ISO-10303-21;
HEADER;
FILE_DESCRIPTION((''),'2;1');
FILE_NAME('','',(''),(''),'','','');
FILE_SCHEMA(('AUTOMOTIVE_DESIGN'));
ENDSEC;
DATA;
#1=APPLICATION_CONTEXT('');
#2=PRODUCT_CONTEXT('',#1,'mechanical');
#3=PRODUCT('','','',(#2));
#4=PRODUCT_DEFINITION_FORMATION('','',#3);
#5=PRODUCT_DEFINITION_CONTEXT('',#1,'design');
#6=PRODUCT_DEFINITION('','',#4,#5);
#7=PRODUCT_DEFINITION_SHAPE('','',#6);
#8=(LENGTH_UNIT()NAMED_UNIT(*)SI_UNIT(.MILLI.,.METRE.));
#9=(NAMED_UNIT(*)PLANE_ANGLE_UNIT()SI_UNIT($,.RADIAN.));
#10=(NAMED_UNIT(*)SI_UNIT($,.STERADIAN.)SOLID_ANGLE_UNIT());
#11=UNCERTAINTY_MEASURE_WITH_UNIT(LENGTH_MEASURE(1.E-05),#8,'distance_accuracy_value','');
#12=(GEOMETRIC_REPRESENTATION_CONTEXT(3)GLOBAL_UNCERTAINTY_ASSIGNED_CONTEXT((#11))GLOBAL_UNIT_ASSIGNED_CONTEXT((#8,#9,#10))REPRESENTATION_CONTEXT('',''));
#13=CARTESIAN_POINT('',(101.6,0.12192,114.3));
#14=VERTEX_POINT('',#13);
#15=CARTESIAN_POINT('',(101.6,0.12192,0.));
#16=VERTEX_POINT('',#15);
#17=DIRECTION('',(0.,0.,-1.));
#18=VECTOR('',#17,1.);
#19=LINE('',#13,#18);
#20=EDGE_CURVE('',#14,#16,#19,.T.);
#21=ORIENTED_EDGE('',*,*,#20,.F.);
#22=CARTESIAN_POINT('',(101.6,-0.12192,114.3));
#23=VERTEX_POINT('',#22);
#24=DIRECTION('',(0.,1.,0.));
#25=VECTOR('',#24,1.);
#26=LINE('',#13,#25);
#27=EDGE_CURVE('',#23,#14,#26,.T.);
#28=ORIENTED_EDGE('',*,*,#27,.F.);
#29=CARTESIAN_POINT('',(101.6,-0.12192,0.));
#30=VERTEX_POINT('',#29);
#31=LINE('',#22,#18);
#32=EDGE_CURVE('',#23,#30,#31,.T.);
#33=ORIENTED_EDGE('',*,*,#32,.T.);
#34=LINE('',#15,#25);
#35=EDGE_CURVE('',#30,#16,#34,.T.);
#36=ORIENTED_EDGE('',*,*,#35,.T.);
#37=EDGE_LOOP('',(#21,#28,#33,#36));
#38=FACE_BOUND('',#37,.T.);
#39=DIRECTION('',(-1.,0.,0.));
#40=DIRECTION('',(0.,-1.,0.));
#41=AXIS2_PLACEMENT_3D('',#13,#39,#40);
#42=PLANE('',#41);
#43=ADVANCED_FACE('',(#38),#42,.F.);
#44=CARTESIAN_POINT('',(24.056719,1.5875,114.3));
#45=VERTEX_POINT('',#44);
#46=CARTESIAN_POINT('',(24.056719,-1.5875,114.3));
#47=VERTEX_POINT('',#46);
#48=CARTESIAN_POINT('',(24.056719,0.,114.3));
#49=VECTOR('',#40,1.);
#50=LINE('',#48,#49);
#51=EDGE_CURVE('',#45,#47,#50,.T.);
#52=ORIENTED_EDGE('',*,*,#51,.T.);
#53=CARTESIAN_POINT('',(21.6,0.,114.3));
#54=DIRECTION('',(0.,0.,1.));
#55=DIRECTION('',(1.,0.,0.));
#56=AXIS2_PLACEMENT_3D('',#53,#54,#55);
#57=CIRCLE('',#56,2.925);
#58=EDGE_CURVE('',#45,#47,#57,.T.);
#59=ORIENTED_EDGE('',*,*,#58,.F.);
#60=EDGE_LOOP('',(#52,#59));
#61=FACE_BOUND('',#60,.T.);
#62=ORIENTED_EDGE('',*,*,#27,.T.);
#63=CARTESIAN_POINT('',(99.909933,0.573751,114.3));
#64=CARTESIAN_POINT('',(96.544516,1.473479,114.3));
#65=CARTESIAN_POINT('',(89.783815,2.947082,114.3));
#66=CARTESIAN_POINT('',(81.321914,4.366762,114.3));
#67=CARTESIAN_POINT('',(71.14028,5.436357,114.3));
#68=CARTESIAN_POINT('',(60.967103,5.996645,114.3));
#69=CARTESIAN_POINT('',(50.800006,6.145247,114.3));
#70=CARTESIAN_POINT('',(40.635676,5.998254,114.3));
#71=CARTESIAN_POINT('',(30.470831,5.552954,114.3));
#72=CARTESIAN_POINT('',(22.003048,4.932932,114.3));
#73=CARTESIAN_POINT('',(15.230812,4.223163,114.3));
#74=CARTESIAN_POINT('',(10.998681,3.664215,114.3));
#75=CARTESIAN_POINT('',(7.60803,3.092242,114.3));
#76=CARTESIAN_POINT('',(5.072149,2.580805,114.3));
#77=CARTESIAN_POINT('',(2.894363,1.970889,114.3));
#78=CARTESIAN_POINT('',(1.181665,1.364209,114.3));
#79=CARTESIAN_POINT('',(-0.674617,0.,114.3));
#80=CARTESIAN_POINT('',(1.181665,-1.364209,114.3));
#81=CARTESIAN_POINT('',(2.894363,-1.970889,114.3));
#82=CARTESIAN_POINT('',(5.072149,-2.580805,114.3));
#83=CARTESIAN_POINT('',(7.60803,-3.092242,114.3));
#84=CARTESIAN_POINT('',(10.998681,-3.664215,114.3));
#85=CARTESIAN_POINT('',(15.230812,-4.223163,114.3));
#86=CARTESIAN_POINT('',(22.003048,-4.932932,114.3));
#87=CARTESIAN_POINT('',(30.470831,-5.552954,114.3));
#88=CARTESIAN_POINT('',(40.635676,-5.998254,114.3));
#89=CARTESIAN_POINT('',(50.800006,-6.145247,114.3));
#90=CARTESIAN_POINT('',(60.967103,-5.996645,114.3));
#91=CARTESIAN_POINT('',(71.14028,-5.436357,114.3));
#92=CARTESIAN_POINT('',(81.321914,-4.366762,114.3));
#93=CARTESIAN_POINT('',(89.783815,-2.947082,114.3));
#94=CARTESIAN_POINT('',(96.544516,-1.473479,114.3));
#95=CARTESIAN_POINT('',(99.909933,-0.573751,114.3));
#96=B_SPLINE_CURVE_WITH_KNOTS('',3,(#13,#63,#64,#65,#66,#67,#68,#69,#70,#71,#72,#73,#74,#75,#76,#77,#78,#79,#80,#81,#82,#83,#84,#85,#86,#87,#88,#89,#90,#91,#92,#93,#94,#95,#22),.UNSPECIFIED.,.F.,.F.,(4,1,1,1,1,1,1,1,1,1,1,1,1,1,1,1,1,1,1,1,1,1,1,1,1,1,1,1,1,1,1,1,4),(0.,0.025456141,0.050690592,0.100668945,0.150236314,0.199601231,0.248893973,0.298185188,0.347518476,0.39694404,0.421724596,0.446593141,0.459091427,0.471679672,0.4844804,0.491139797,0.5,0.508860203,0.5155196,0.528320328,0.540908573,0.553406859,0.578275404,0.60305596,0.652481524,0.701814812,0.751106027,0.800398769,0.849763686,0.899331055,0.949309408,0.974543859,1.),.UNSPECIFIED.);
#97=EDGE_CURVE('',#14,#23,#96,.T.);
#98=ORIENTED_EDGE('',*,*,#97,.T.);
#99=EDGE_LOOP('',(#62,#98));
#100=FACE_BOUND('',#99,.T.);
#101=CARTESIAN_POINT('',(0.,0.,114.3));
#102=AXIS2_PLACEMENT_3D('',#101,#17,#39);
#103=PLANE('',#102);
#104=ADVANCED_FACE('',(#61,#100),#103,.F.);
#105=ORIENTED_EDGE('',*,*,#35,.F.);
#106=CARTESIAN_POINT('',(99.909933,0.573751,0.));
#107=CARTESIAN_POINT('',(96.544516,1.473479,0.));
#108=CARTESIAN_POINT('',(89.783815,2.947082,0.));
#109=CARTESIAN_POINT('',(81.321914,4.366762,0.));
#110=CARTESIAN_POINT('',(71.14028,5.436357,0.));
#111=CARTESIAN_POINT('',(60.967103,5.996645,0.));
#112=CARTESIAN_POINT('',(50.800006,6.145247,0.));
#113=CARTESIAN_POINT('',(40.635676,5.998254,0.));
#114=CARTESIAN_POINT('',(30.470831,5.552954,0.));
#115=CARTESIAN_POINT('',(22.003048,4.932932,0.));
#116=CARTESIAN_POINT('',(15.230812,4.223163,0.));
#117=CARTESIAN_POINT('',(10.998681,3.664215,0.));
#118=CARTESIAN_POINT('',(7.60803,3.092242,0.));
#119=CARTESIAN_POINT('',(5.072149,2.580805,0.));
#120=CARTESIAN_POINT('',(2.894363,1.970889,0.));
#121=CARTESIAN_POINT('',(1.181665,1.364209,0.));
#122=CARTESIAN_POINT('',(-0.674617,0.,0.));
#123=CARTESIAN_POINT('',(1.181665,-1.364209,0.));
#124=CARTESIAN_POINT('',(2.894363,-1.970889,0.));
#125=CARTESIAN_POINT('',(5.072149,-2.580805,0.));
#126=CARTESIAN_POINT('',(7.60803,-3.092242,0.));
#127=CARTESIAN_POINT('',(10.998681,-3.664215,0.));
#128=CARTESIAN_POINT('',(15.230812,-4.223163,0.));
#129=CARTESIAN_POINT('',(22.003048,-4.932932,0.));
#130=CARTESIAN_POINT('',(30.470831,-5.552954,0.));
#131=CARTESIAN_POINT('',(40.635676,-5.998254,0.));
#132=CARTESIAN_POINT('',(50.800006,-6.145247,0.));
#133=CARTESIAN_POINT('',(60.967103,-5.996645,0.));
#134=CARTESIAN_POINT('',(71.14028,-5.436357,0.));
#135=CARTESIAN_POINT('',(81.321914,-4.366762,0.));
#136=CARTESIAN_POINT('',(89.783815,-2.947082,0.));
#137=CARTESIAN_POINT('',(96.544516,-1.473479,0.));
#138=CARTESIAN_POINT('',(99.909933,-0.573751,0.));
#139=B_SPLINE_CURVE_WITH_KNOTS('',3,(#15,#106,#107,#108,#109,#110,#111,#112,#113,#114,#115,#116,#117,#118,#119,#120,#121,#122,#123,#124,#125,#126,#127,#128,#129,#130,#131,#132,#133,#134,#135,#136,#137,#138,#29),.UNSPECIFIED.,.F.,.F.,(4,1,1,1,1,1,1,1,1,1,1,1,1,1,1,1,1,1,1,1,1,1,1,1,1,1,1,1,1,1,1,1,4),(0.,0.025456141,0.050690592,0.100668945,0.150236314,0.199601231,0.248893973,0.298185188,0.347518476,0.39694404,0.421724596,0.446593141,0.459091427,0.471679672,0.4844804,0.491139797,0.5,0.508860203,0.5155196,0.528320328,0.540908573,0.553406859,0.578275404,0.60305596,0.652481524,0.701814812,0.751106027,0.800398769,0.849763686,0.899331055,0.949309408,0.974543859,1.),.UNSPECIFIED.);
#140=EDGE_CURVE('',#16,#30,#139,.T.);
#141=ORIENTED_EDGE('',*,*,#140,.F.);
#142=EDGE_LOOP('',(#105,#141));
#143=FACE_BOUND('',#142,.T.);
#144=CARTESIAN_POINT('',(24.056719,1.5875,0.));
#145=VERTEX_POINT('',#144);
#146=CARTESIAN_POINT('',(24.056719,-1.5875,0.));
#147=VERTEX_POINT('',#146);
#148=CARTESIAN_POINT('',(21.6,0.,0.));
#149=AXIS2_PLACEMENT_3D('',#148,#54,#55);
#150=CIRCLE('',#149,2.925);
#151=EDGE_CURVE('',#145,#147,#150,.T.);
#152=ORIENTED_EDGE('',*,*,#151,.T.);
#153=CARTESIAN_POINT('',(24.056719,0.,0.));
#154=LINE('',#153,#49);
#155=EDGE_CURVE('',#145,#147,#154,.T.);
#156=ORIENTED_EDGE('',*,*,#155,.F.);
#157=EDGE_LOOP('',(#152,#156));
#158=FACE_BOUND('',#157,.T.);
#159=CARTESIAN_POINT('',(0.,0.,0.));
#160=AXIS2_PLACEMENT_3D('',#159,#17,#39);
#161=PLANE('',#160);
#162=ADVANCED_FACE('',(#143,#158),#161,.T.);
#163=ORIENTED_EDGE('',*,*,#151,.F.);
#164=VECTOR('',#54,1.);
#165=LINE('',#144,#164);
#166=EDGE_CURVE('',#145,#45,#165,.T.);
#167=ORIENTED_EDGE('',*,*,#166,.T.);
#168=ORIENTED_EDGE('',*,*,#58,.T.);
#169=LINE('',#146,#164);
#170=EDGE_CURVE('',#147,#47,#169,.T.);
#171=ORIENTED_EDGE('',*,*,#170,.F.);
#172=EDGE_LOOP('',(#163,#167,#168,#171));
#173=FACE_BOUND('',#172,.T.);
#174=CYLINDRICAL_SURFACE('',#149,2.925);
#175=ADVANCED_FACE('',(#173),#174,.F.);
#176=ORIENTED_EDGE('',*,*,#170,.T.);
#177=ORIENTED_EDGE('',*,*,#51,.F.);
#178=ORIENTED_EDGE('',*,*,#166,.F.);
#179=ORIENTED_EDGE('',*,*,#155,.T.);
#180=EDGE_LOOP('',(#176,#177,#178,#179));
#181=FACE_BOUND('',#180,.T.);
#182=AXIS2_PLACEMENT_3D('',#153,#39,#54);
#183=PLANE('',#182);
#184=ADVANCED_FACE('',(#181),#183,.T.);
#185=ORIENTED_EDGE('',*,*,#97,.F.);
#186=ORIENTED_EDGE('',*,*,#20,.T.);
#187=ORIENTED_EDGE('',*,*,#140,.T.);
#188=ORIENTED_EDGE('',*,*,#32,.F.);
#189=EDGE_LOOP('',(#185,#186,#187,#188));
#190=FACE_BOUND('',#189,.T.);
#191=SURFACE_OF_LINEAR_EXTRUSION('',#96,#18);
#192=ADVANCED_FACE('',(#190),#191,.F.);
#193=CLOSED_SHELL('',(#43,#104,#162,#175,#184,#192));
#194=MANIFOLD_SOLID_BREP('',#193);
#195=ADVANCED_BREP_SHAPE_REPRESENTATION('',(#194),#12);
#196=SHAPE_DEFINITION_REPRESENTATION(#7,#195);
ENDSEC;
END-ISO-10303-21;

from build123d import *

# Parameters (mm, degrees)
BOSS_EXTRUDE1_DEPTH = 114.3
CUT_EXTRUDE1_DEPTH  = 115.3000001


with BuildPart() as part:
    # Sketch1 → Boss-Extrude1 (new body)
    with BuildSketch(Plane.XY):
        with BuildLine():
            Line((101.6, 0.12192), (101.6, -0.12192))
            add(Edge.make_bspline(
                [(101.6, 0.12192), (99.909932561, 0.573751352), (96.544515968, 1.473479194), (89.783814833, 2.947081601), (81.321913594, 4.36676175), (71.140279871, 5.436356516), (60.967102616, 5.996645411), (50.800006263, 6.145246679), (40.635675917, 5.998253513), (30.470830523, 5.552954054), (22.003048387, 4.932932422), (15.230811891, 4.223162727), (10.998681463, 3.664214628), (7.608030333, 3.092241666), (5.072149413, 2.580804534), (2.89436287, 1.970888591), (1.181665174, 1.364209186), (-0.674617494, 0), (1.181665174, -1.364209186), (2.89436287, -1.970888591), (5.072149413, -2.580804534), (7.608030333, -3.092241666), (10.998681463, -3.664214628), (15.230811891, -4.223162727), (22.003048387, -4.932932422), (30.470830523, -5.552954054), (40.635675917, -5.998253513), (50.800006263, -6.145246679), (60.967102616, -5.996645411), (71.140279871, -5.436356516), (81.321913594, -4.36676175), (89.783814833, -2.947081601), (96.544515968, -1.473479194), (99.909932561, -0.573751352), (101.6, -0.12192)],
                knots=[0, 0, 0, 0, 0.025456141, 0.050690592, 0.100668945, 0.150236314, 0.199601231, 0.248893973, 0.298185188, 0.347518476, 0.39694404, 0.421724596, 0.446593141, 0.459091427, 0.471679672, 0.4844804, 0.491139797, 0.5, 0.508860203, 0.5155196, 0.528320328, 0.540908573, 0.553406859, 0.578275404, 0.60305596, 0.652481524, 0.701814812, 0.751106027, 0.800398769, 0.849763686, 0.899331055, 0.949309408, 0.974543859, 1, 1, 1, 1], degree=3))
        make_face()
    extrude(amount=BOSS_EXTRUDE1_DEPTH)

    # Sketch2 → Cut-Extrude1 (cut, through all)
    with BuildSketch(Plane.XY.offset(114.3)):
        with BuildLine():
            Line((24.056719103, 1.5875), (24.056719103, -1.5875))
            ThreePointArc((24.056719103, -1.5875), (18.675, 0), (24.056719103, 1.5875))
        make_face()
    extrude(amount=-CUT_EXTRUDE1_DEPTH, mode=Mode.SUBTRACT)


solid = part.part
